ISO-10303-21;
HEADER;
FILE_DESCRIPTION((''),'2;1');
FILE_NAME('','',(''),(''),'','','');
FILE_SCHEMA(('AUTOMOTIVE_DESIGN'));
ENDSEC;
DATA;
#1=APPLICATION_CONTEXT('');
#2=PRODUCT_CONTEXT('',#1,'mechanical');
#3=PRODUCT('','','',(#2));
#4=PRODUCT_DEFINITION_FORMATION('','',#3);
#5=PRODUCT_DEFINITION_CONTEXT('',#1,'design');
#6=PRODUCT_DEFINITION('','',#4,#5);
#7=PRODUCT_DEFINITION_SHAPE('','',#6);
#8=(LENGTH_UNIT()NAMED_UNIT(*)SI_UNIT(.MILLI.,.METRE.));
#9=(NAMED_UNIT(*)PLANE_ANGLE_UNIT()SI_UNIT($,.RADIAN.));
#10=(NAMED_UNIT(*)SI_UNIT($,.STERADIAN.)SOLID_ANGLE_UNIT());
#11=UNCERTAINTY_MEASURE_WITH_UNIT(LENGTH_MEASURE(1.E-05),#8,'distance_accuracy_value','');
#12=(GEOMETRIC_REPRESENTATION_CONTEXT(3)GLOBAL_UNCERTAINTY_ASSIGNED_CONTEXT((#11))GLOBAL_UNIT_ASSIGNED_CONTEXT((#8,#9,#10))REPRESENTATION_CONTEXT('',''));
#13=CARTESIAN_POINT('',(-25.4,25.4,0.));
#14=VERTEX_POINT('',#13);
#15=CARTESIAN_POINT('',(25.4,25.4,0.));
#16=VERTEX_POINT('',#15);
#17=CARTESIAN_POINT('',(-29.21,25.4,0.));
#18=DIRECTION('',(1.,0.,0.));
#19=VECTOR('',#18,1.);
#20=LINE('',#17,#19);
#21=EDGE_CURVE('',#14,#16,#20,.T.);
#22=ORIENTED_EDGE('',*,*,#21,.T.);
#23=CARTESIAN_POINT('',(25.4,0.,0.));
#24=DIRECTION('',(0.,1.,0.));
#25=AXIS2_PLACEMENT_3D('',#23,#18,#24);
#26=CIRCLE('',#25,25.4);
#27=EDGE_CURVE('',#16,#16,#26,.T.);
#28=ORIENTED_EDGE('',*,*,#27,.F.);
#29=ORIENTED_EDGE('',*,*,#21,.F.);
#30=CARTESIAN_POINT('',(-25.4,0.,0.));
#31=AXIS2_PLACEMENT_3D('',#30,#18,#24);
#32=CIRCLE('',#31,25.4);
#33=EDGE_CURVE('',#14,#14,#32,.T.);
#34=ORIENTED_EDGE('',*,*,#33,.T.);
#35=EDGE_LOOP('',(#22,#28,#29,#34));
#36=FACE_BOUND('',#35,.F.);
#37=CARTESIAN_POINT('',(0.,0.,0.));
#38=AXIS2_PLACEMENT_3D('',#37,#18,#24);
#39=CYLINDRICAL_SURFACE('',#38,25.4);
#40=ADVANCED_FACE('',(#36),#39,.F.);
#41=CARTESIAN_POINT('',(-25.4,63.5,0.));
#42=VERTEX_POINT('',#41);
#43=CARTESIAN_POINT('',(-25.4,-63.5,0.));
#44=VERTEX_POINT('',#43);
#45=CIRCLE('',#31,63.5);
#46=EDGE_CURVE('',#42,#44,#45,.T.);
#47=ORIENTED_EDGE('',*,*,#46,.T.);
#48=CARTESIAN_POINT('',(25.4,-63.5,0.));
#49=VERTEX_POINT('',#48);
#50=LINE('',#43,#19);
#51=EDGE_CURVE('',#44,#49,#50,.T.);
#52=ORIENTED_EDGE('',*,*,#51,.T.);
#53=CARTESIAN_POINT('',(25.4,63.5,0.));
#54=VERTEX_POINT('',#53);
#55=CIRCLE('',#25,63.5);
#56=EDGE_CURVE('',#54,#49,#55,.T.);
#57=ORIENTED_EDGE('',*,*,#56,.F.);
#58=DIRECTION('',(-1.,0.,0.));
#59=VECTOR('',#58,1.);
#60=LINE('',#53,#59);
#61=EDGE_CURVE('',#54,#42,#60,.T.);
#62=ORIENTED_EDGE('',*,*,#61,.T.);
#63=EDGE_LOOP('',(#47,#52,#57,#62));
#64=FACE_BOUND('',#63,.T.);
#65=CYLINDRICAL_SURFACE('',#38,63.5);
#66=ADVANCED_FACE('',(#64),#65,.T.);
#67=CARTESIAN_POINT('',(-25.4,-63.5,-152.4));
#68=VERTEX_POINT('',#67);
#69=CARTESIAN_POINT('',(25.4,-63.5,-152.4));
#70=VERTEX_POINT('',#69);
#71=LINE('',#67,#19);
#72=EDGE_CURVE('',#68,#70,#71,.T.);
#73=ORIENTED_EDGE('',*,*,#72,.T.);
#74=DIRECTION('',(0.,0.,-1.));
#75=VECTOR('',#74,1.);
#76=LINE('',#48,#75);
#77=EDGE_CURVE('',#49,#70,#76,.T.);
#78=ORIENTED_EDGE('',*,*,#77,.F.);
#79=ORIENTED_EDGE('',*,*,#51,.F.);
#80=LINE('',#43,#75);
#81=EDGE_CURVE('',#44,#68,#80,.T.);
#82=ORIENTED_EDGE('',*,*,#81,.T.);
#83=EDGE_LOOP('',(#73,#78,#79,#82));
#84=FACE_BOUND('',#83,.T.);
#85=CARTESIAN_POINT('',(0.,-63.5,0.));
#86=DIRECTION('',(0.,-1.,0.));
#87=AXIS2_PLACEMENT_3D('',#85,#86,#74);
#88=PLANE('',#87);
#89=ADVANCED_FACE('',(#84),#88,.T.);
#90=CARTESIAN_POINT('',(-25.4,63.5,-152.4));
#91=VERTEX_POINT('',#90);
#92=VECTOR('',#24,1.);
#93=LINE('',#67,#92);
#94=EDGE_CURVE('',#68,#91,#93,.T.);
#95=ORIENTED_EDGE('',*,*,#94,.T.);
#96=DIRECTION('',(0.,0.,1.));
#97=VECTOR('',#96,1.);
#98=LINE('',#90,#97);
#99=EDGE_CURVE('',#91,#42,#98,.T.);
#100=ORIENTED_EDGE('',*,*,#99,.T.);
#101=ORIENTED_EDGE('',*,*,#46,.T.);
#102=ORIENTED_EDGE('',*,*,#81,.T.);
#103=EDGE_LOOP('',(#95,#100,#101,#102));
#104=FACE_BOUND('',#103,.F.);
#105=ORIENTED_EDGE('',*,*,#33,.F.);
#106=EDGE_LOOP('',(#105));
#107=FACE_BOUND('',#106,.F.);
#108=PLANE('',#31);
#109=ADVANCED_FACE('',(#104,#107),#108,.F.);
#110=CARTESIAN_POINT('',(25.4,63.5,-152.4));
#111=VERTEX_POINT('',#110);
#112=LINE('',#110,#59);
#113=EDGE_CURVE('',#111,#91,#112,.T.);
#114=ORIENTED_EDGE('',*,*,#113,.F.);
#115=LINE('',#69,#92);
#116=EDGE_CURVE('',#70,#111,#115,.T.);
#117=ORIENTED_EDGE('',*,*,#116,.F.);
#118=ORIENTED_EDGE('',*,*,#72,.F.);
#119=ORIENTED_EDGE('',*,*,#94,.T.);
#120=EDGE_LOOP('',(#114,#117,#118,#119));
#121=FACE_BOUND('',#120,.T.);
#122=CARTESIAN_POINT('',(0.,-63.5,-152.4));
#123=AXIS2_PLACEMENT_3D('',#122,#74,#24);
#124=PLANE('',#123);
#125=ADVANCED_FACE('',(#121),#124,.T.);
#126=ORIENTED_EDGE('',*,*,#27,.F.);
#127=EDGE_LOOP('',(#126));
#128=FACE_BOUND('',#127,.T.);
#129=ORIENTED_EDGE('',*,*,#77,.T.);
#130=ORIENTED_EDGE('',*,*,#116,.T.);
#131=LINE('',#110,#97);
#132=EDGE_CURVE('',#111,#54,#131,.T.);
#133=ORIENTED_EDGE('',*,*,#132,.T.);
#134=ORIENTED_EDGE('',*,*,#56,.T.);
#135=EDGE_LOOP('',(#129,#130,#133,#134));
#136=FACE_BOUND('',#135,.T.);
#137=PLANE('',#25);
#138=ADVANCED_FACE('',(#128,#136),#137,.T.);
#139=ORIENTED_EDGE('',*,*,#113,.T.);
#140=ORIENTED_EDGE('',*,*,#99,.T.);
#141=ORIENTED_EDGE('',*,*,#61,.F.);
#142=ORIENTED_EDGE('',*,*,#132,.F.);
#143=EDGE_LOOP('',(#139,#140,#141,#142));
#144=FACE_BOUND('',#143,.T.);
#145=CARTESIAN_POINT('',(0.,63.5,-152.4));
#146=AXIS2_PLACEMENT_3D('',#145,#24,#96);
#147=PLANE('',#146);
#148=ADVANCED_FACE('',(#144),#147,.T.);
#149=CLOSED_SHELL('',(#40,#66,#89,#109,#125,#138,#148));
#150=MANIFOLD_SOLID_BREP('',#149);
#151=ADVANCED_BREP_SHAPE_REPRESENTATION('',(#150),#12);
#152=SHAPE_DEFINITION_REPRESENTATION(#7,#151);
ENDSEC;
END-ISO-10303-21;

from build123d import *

# Parameters (mm, degrees)
F2_DEPTH = 25.4
F1_R     = 25.4
F3_DEPTH = 29.21


with BuildPart() as f2:
    # F0 (on Right) → F2 (new body, symmetric)
    with BuildSketch(Plane.YZ):
        with BuildLine():
            ThreePointArc((-63.5, 0), (0, -63.5), (63.5, 0))
            ThreePointArc((63.5, 0), (0, 63.5), (-63.5, 0))
        make_face()
        with BuildLine():
            Line((63.5, -152.4), (63.5, 0))
            ThreePointArc((63.5, 0), (0, -63.5), (-63.5, 0))
            Line((-63.5, 0), (-63.5, -152.4))
            Line((-63.5, -152.4), (63.5, -152.4))
        make_face()
    extrude(amount=F2_DEPTH, both=True)

    # F1 (on Right) → F3 (cut, symmetric)
    with BuildSketch(Plane.YZ):
        Circle(F1_R)
    extrude(amount=F3_DEPTH, both=True, mode=Mode.SUBTRACT)


solid = f2.part
